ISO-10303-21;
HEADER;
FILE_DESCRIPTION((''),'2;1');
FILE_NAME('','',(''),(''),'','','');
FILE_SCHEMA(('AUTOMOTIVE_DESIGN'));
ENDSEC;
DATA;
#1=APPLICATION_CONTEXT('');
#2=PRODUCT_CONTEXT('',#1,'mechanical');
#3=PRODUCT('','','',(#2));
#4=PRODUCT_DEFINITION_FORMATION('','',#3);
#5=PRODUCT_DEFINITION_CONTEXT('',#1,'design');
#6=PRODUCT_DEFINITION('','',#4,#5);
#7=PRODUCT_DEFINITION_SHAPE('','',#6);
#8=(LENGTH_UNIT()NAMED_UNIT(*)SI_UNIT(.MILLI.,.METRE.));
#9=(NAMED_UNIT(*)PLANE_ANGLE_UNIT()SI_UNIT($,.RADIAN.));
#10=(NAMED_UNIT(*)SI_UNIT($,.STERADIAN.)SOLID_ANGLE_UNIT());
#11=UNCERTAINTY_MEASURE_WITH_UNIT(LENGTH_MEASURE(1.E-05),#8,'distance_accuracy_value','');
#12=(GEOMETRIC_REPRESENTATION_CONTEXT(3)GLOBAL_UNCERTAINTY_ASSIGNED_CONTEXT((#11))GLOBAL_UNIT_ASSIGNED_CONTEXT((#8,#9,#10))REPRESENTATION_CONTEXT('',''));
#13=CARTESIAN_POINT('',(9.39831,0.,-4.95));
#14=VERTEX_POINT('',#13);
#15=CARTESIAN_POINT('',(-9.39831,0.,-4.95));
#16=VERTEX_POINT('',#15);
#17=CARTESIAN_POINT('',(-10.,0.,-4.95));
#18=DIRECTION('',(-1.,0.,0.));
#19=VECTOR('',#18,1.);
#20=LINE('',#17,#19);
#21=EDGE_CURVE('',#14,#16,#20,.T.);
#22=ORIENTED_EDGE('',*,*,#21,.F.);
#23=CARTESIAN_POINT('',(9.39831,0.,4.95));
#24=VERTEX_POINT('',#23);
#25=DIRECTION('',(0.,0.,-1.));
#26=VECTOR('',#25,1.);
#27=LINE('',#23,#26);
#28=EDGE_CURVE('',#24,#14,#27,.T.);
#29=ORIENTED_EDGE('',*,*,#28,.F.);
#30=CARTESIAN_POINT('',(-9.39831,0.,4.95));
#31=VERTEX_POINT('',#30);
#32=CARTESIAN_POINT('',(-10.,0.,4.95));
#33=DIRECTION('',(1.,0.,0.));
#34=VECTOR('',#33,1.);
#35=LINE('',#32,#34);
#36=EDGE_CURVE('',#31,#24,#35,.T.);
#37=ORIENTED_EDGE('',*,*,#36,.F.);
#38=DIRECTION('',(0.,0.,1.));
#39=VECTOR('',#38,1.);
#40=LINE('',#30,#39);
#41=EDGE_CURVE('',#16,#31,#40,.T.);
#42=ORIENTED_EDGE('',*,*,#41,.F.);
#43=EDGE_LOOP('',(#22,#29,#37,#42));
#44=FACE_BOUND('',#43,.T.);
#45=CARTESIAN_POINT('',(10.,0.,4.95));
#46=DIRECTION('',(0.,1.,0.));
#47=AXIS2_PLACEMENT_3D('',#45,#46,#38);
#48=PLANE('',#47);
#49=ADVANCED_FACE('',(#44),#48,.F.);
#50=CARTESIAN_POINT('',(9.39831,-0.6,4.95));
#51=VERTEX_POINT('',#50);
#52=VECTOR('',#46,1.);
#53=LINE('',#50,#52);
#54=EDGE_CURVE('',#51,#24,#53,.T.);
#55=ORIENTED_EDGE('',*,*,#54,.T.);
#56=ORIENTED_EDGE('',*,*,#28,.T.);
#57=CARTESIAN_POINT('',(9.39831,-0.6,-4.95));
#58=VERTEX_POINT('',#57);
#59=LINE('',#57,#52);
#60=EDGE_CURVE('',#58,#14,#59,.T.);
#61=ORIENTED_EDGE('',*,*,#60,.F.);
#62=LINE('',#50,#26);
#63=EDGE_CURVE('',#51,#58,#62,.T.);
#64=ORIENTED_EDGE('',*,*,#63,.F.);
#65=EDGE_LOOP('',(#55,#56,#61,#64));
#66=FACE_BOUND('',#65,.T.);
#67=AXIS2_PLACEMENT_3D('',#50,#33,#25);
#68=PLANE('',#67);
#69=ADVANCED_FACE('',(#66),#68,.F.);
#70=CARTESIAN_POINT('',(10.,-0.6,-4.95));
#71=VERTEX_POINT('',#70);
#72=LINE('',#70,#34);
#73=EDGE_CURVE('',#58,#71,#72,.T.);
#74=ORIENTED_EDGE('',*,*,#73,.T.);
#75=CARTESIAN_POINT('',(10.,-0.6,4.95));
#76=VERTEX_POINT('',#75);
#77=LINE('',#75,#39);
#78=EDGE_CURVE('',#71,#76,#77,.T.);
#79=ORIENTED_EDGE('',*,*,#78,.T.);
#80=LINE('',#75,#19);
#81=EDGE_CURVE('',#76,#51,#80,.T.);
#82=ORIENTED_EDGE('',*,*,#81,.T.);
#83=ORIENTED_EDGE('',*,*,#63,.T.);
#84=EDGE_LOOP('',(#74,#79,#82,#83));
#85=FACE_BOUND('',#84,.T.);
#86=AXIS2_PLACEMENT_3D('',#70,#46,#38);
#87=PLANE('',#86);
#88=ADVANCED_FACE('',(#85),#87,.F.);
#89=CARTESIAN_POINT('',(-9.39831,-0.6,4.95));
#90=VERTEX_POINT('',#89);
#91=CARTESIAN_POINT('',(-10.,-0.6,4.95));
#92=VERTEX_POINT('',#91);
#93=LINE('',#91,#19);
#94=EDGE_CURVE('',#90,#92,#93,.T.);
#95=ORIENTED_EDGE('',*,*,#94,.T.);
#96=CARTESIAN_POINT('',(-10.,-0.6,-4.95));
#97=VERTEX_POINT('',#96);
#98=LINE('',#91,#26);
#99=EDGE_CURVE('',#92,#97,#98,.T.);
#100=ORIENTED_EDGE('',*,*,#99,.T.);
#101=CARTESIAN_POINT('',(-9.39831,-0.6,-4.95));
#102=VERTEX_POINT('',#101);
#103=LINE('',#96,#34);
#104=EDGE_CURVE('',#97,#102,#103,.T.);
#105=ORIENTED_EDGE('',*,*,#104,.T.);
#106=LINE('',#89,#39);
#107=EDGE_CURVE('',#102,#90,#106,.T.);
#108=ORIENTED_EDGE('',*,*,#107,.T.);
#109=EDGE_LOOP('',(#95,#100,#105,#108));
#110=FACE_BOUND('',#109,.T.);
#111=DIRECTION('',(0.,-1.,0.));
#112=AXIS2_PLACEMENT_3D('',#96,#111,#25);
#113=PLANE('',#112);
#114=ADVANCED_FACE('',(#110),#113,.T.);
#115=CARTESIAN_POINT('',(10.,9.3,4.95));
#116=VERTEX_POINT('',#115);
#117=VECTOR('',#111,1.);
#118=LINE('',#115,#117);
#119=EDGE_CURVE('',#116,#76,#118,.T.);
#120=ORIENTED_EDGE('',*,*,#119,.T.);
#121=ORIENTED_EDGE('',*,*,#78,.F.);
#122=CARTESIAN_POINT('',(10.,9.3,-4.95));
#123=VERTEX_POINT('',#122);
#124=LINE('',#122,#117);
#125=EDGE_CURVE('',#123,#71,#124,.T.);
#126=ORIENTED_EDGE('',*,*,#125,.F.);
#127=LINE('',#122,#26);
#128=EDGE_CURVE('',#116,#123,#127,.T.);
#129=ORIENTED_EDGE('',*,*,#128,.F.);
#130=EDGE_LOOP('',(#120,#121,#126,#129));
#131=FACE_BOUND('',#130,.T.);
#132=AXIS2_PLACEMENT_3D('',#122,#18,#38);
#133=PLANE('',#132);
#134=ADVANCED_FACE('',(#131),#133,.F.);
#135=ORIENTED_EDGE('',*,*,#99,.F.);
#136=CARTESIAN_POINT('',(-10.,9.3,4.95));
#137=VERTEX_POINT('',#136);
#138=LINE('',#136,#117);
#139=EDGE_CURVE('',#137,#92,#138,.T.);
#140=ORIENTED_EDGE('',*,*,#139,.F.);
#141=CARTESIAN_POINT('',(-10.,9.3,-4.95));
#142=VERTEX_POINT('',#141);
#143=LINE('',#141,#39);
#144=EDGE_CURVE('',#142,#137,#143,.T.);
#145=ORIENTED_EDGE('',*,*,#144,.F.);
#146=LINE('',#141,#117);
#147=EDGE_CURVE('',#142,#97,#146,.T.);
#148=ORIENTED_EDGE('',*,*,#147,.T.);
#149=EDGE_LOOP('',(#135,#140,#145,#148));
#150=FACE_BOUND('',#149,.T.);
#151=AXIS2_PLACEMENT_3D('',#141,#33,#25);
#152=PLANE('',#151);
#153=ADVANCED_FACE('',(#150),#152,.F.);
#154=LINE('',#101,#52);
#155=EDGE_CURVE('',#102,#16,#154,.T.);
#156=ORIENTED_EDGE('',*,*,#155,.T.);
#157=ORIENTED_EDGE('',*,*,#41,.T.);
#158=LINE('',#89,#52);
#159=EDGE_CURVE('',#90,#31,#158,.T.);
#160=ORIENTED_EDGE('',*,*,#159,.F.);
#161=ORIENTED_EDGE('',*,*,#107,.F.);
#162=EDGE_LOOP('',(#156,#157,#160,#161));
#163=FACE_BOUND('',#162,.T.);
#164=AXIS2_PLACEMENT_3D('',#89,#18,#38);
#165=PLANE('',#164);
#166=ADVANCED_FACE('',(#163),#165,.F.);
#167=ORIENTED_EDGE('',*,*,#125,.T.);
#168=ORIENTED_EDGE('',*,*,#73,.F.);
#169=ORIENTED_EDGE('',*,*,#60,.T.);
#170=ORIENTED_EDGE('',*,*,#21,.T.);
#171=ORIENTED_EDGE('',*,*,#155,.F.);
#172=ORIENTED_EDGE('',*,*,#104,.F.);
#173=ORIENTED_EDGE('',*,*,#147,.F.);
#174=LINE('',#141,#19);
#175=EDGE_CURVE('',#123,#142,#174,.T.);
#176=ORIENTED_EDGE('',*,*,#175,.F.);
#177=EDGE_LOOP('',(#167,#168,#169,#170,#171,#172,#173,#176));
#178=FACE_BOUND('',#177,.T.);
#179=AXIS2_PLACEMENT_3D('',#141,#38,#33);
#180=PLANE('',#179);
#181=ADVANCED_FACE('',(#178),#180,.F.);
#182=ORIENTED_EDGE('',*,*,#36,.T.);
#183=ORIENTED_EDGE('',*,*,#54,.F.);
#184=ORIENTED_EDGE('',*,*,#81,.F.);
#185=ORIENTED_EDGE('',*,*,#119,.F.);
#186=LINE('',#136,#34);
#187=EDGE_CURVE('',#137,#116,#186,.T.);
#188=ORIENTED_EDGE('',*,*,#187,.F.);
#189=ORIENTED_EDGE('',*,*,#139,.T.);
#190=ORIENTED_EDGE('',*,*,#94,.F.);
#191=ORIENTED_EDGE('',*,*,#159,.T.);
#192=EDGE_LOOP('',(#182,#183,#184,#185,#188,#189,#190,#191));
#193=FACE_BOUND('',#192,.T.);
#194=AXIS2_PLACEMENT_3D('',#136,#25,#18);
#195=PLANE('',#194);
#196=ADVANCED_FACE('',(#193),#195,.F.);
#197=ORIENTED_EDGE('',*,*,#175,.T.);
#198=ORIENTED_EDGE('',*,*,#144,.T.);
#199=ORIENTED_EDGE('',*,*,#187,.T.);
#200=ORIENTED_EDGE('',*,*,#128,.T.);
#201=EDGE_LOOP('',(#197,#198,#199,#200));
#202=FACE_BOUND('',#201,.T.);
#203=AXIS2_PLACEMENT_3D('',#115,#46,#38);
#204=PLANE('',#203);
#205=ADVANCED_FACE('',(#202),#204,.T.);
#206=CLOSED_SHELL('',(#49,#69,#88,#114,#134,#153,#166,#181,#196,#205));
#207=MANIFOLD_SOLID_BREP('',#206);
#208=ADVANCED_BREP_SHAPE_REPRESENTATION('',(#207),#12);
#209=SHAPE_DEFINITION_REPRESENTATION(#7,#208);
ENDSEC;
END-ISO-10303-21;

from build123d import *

# Parameters (mm, degrees)
SKETCH1_W           = 20
SKETCH1_H           = 9.9
BOSS_EXTRUDE1_DEPTH = 9.3
SKETCH2_W           = 0.601689641
SKETCH2_H           = 9.9
BOSS_EXTRUDE2_DEPTH = 0.6


with BuildPart() as part:
    # Sketch1 → Boss-Extrude1 (new body)
    with BuildSketch(Plane(origin=(0, 0, 0), x_dir=(1, 0, 0), z_dir=(0, 1, 0))):
        Rectangle(SKETCH1_W, SKETCH1_H)
    extrude(amount=BOSS_EXTRUDE1_DEPTH)

    # Sketch2 → Boss-Extrude2 (add)
    with BuildSketch(Plane.XZ):
        with Locations((-9.699155179, 0)):
            Rectangle(SKETCH2_W, SKETCH2_H)
        with Locations((9.699155179, 0)):
            Rectangle(SKETCH2_W, SKETCH2_H)
    extrude(amount=BOSS_EXTRUDE2_DEPTH)


solid = part.part
